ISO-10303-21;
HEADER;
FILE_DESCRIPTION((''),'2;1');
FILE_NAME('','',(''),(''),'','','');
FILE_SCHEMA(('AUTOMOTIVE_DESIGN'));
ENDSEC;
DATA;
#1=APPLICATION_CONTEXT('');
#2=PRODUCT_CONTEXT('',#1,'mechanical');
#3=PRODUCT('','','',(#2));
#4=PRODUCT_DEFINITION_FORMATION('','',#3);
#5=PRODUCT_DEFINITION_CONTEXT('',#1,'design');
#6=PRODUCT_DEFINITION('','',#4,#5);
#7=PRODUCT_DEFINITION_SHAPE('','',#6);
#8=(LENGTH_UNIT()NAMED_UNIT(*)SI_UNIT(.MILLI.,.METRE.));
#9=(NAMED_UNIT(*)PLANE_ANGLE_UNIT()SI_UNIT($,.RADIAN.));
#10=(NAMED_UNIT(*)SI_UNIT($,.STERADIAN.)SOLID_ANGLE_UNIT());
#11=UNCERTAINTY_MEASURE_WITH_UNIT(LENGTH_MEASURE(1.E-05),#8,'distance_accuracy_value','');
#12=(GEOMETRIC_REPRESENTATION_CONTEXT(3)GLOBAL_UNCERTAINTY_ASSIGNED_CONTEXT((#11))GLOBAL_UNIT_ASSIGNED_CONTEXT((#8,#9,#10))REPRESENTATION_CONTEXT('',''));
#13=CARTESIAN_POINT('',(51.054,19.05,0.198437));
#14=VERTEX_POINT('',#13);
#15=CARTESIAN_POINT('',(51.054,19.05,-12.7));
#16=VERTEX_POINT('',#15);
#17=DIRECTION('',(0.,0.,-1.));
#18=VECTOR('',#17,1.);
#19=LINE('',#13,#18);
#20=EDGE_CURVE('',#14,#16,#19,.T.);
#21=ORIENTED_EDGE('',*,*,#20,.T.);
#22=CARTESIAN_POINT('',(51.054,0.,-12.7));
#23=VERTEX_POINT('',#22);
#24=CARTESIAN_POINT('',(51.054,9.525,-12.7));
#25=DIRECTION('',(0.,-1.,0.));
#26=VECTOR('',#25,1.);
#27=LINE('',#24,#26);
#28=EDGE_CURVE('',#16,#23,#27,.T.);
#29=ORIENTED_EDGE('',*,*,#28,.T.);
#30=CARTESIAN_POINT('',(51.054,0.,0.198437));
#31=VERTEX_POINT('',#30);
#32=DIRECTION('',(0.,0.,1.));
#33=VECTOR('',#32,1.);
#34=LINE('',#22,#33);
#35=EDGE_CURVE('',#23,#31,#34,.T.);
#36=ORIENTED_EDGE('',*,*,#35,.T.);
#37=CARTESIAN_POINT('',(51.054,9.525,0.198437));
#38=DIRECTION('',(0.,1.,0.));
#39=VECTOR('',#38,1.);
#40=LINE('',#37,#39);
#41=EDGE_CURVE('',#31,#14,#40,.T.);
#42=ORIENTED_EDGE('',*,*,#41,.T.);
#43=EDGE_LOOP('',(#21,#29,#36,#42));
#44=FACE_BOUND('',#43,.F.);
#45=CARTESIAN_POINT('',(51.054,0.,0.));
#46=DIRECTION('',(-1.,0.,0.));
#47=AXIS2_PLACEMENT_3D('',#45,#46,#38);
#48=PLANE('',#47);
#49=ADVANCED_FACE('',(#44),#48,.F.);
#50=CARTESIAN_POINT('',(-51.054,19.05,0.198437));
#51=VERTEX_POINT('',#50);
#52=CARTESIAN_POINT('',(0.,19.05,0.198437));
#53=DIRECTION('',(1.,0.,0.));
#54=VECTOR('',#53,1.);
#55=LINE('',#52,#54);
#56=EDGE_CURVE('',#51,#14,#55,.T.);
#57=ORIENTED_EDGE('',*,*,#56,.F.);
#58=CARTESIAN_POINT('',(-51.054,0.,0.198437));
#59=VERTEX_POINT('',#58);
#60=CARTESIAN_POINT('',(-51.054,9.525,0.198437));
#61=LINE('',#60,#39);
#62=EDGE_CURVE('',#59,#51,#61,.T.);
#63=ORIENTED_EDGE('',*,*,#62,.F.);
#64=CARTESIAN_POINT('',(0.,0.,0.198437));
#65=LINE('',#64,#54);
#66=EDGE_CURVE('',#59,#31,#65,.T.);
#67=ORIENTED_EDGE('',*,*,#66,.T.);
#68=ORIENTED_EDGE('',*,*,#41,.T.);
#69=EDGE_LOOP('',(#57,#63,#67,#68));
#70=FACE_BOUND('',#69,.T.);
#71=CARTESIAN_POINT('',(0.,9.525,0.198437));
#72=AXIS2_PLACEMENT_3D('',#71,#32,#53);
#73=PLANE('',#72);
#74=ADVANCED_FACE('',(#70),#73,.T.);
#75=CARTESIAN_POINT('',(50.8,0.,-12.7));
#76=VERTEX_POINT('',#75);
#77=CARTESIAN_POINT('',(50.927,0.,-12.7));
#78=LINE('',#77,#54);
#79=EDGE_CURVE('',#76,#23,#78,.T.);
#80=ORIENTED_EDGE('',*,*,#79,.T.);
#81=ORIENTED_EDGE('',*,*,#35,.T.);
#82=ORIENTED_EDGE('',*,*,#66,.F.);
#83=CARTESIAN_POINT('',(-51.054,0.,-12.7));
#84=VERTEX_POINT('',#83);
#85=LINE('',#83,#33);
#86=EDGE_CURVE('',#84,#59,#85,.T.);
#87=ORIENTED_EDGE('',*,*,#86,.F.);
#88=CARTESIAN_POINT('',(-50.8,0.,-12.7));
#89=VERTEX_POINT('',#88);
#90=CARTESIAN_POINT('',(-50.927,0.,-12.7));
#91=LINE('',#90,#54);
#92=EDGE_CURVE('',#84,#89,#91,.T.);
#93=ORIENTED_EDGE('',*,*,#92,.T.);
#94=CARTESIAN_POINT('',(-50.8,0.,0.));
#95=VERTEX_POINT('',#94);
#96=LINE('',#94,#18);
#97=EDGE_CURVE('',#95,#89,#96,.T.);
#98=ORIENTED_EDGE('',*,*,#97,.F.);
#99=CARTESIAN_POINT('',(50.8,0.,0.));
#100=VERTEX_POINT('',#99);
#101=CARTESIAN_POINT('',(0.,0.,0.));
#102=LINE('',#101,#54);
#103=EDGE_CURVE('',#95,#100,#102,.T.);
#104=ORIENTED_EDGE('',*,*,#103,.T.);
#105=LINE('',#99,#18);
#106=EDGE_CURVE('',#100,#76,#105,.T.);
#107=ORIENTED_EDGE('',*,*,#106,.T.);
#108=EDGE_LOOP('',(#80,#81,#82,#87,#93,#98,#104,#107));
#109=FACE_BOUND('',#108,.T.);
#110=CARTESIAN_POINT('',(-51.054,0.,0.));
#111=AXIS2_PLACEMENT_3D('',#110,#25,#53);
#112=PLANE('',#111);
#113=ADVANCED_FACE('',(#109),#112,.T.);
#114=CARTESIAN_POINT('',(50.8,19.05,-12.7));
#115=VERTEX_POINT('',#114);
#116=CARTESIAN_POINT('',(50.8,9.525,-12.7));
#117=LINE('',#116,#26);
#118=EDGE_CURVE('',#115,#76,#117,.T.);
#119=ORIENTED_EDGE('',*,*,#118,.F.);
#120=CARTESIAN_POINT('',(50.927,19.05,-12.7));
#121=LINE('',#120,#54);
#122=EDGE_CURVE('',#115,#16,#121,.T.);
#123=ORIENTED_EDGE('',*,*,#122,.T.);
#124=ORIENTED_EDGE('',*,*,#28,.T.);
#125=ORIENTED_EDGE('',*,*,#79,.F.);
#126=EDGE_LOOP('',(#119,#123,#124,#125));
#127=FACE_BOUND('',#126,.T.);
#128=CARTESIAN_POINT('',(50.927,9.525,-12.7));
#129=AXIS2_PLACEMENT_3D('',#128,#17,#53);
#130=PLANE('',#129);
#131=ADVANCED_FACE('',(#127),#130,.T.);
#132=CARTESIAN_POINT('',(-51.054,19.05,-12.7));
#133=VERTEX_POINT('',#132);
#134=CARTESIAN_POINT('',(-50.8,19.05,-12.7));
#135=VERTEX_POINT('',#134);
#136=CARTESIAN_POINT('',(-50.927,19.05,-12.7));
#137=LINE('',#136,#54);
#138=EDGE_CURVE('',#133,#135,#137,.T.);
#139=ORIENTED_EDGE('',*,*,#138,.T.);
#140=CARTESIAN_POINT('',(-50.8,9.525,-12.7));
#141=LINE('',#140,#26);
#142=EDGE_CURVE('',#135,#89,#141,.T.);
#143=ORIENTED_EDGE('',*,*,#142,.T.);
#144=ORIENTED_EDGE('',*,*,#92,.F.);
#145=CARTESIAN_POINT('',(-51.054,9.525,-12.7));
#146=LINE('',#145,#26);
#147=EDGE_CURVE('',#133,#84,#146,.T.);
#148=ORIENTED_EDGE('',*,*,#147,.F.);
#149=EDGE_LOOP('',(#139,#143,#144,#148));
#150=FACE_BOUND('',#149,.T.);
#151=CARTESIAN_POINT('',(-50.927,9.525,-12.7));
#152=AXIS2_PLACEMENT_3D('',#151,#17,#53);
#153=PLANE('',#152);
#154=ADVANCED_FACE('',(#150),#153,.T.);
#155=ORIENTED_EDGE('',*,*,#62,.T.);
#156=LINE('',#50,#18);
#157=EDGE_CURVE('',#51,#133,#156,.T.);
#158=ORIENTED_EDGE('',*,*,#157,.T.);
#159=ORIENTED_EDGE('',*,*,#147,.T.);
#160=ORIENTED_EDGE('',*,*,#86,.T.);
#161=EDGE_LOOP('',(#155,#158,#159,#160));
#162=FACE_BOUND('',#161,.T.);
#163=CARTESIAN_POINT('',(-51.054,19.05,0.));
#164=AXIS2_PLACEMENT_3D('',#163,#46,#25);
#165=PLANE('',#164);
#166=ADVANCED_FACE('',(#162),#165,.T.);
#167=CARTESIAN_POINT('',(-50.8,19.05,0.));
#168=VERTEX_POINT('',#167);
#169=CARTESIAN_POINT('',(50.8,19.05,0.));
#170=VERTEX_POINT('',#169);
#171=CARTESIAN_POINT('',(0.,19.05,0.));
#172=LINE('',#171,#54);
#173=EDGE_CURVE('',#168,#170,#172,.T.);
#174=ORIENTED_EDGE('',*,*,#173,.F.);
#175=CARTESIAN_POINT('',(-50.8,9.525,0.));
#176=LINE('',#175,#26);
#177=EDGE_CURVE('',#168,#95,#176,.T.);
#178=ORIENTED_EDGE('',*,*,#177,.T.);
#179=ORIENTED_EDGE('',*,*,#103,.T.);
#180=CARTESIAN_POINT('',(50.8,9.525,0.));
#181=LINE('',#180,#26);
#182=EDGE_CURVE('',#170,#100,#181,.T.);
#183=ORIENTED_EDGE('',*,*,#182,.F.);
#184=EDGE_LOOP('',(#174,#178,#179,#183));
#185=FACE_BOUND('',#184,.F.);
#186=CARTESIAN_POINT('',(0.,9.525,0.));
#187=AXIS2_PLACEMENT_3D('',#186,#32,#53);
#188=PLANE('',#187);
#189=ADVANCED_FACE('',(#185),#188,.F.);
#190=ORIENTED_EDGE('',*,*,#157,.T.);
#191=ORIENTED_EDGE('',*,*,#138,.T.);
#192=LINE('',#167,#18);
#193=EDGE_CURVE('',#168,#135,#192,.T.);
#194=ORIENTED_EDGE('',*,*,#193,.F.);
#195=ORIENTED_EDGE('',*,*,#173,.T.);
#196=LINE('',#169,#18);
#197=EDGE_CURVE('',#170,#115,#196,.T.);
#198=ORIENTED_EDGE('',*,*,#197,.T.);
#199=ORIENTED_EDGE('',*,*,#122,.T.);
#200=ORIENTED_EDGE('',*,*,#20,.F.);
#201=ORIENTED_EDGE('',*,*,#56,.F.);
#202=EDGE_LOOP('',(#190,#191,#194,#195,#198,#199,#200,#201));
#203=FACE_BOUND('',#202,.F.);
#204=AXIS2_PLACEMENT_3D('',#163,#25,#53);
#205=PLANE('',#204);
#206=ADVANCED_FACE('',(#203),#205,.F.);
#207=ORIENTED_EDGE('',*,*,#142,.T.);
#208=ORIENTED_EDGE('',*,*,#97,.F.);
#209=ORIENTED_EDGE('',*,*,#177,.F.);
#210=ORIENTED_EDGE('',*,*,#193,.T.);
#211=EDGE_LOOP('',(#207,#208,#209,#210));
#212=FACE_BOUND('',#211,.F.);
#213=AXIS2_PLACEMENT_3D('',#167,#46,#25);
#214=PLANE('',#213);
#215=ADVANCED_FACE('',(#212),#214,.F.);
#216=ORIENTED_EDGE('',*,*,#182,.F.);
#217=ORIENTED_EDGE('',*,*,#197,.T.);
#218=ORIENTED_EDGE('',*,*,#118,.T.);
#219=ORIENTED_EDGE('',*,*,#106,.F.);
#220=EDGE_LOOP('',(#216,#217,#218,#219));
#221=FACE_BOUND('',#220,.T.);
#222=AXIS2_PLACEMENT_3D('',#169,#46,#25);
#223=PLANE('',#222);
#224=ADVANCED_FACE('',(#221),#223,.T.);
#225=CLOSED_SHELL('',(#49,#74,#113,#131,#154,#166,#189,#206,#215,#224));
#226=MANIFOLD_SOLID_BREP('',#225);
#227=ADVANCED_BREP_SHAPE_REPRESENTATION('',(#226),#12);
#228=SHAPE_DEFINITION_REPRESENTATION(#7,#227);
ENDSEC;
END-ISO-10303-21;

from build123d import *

# Parameters (mm, degrees)
F0_W     = 102.108
F0_H     = 19.05
F1_DEPTH = 0.198437
F2_W     = 0.254
F2_H     = 19.05
F3_DEPTH = 12.7


with BuildPart() as f1:
    # F0 (on Top) → F1 (new body)
    with BuildSketch(Plane.XY):
        with Locations((0, 9.525)):
            Rectangle(F0_W, F0_H)
    extrude(amount=F1_DEPTH)

    # F2 (on face) → F3 (join)
    with BuildSketch(Plane(origin=(0, 0, 0), x_dir=(1, 0, 0), z_dir=(0, 0, -1))):
        with Locations((-50.927, -9.525)):
            Rectangle(F2_W, F2_H)
        with Locations((50.927, -9.525)):
            Rectangle(F2_W, F2_H)
    extrude(amount=F3_DEPTH)


solid = f1.part
